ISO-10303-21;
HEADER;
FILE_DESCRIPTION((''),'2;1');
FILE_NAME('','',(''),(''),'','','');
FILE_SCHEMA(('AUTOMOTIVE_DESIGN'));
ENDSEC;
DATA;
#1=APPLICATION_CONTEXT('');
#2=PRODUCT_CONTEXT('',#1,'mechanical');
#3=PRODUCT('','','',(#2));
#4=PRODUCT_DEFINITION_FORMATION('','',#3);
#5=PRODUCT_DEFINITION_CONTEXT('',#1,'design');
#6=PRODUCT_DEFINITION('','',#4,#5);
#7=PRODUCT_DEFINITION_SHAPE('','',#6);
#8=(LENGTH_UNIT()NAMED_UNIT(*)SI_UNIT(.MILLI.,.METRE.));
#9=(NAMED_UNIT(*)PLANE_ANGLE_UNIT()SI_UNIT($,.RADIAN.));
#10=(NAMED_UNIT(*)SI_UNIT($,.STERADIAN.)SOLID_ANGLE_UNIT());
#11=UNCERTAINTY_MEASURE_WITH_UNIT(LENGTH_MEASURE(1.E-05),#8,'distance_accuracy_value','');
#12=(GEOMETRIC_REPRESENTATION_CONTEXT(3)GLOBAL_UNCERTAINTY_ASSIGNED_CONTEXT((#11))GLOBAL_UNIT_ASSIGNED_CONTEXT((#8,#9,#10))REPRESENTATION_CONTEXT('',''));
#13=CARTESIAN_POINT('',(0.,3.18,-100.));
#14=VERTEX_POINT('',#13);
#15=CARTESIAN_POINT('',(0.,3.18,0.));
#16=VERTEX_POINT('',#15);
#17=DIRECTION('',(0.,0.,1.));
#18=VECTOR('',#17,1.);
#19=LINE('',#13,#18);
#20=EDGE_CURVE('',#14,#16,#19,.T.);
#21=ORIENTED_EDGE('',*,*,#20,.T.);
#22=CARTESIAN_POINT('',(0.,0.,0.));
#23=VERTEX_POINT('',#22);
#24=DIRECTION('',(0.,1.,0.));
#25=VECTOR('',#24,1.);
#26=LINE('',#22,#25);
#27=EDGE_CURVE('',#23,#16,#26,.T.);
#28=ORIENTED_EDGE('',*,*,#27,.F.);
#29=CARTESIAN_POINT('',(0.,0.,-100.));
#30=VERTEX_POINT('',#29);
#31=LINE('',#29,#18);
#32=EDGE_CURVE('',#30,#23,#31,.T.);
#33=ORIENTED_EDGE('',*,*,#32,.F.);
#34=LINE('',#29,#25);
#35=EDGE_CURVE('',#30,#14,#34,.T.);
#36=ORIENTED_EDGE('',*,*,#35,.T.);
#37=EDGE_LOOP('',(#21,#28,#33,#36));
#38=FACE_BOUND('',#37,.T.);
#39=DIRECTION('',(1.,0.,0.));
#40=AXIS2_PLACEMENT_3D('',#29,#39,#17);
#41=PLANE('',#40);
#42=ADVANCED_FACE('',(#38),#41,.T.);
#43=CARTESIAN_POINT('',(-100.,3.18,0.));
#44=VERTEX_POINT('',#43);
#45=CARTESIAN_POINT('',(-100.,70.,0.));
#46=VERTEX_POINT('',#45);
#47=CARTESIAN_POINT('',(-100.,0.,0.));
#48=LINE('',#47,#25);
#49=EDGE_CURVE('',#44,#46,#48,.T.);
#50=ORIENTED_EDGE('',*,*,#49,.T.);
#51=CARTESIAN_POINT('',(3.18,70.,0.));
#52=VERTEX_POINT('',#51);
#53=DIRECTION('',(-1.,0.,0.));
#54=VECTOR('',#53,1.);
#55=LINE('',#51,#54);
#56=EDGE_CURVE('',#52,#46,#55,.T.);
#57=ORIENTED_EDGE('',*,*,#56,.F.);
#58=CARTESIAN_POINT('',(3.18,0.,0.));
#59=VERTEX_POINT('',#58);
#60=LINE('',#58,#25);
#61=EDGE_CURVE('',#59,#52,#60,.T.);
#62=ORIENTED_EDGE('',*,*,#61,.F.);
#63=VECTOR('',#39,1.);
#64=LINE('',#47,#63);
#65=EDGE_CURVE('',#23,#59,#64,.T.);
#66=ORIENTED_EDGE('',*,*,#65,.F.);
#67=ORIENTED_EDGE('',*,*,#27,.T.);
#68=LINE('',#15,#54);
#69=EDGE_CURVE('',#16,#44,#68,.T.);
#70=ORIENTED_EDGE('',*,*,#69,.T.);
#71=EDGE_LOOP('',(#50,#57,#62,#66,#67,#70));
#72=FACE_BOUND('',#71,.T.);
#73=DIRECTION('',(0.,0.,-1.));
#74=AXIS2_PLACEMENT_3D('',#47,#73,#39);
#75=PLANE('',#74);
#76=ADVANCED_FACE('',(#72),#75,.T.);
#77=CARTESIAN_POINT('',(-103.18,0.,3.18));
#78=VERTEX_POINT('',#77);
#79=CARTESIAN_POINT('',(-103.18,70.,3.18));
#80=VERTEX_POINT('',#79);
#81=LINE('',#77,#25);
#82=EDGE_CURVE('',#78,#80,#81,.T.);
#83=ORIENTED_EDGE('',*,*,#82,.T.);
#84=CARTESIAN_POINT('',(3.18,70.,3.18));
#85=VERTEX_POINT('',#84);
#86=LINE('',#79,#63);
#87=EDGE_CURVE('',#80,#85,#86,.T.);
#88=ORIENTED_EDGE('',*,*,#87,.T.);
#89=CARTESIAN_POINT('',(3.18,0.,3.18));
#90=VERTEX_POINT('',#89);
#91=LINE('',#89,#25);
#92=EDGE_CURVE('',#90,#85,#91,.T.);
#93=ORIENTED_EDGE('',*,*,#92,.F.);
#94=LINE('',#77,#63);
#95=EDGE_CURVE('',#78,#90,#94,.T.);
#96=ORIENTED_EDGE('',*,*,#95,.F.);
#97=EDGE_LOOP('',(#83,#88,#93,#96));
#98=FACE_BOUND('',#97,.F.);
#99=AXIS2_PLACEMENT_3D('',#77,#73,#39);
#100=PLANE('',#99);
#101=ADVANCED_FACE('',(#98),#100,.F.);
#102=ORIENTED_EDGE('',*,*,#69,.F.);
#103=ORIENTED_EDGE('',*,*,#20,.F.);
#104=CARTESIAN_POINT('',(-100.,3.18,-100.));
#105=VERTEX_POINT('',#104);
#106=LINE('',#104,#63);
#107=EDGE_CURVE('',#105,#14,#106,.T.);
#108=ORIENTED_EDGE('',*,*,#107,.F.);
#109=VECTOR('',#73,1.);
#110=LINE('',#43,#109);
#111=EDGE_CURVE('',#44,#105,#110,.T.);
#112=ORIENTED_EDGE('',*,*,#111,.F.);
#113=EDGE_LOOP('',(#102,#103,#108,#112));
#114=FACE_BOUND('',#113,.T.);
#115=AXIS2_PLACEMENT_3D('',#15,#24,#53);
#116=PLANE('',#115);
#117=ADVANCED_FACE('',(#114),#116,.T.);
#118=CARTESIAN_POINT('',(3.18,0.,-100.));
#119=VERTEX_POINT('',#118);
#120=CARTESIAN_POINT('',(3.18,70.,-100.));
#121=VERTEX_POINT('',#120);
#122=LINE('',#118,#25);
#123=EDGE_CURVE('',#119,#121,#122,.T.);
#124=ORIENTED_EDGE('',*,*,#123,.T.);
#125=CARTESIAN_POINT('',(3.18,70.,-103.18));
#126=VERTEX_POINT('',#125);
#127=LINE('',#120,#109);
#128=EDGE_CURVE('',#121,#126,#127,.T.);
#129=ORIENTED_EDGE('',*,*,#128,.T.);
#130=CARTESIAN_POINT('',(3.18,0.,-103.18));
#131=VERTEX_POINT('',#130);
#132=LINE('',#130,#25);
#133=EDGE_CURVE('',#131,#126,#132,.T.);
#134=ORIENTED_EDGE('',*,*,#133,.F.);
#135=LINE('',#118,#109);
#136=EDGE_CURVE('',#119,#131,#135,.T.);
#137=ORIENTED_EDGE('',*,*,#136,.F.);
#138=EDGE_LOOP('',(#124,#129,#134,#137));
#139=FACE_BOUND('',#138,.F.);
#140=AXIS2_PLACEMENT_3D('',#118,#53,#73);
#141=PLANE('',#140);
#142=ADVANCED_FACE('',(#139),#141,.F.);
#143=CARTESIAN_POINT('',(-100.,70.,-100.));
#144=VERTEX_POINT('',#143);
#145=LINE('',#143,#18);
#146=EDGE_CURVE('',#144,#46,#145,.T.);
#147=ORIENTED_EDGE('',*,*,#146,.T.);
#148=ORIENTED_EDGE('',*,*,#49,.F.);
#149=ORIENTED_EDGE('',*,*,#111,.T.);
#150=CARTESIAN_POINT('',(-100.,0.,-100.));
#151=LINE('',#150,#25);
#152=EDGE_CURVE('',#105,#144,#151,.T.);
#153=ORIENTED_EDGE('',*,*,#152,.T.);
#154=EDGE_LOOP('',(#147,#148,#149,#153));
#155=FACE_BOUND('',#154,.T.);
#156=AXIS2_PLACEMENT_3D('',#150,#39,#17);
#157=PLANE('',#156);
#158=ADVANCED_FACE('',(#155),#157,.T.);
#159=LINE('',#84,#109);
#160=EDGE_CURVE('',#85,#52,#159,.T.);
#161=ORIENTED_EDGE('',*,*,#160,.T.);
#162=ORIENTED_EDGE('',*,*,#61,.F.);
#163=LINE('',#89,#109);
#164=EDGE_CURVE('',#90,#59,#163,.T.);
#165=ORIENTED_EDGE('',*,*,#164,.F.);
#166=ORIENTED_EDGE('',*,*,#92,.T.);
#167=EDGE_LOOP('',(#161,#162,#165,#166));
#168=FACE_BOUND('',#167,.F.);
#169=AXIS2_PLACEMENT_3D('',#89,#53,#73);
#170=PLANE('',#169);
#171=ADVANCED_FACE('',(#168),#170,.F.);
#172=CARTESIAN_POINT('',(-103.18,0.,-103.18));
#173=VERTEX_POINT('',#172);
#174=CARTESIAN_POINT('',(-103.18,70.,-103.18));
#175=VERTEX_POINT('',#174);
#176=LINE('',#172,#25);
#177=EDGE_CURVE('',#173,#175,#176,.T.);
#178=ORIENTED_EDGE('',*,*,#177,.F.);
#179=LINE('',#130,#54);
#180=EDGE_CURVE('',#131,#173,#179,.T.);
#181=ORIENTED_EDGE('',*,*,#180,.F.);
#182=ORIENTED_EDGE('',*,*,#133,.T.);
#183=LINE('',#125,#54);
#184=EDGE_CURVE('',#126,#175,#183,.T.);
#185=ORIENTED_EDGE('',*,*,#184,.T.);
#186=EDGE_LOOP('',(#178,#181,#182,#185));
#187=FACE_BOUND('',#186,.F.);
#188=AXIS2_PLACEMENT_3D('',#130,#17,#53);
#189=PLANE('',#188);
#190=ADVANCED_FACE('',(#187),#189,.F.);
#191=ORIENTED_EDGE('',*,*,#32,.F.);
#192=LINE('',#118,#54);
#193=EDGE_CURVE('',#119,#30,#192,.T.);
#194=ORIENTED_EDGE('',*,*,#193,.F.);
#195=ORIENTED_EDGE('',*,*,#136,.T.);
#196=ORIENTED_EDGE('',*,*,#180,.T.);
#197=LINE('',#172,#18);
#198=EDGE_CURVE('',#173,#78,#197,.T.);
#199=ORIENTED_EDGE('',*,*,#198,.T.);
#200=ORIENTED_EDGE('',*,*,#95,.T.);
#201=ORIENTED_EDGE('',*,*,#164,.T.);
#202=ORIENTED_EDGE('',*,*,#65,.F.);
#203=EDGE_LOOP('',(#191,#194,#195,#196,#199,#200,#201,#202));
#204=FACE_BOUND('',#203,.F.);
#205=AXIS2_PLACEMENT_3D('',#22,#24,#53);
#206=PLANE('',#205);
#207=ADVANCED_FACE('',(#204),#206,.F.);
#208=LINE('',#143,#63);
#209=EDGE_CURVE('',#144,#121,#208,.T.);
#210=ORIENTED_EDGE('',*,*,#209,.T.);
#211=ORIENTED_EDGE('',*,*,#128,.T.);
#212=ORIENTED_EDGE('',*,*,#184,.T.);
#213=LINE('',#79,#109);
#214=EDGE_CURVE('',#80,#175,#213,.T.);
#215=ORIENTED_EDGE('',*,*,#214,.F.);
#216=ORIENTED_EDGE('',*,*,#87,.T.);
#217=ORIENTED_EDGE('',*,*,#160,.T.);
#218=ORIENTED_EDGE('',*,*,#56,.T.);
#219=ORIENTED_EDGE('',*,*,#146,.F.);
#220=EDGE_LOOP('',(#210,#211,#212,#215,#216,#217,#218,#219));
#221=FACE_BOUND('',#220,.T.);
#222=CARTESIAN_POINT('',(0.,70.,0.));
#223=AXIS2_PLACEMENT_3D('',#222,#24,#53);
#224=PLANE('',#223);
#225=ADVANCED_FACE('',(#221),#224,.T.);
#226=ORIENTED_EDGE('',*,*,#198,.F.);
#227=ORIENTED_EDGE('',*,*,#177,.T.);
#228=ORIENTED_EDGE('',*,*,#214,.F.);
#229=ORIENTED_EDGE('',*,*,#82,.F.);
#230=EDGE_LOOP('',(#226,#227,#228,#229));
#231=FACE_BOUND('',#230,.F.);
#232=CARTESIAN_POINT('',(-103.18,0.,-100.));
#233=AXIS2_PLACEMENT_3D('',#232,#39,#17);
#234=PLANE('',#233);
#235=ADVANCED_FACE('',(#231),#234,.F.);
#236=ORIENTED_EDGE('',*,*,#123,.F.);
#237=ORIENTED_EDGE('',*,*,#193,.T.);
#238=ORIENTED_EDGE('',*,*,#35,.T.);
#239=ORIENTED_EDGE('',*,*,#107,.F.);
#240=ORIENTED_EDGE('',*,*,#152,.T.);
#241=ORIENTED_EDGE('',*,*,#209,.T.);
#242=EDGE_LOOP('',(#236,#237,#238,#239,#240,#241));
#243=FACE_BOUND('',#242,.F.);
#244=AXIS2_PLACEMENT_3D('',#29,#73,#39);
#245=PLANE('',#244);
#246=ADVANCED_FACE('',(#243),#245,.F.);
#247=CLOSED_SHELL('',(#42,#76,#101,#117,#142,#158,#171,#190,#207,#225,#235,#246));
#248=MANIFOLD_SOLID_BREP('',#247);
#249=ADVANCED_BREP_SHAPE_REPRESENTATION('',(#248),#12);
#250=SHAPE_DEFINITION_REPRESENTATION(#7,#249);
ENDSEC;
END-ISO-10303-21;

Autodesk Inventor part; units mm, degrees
ref_plane "YZ Plane" through (0, 0, 0) normal (1, 0, 0) x (0, 1, 0)
ref_plane "XZ Plane" through (0, 0, 0) normal (0, 1, 0) x (-1, 0, 0)
ref_plane "XY Plane" through (0, 0, 0) normal (0, 0, 1) x (1, 0, 0)
sketch "Sketch1" plane through (0, 0, 0) normal (0, 1, 0) x (-1, 0, 0)
  line L0 (0, 0) -> (100, 0)
  line L1 (100, 0) -> (100, -100)
  line L2 (100, -100) -> (0, -100)
  line L3 (0, -100) -> (0, 0)
  dimension "d0" = 100
  dimension "d1" = 100
extrude "Extrusion1" add sketch "Sketch1" along normal blind 3.18
sketch "Sketch2" plane through (0, 0, 0) normal (0, 1, 0) x (-1, 0, 0)
  line L0 (100, 0) -> (0, 0) projected
  line L1 (0, 0) -> (0, -100) projected
  line L2 (0, -100) -> (100, -100) projected
  line L3 (100, -100) -> (100, 0) projected
  line L4 (-3.18, 0) -> (103.18, 0)
  line L5 (103.18, 0) -> (103.18, 3.18)
  line L6 (103.18, 3.18) -> (-3.18, 3.18)
  line L7 (-3.18, 3.18) -> (-3.18, 0)
  line L8 (103.18, -100) -> (-3.18, -100)
  line L9 (-3.18, -100) -> (-3.18, -103.18)
  line L10 (-3.18, -103.18) -> (103.18, -103.18)
  line L11 (103.18, -103.18) -> (103.18, -100)
  line L12 (103.18, 0) -> (100, 0)
  line L13 (100, 0) -> (100, -100)
  line L14 (100, -100) -> (103.18, -100)
  line L15 (103.18, -100) -> (103.18, 0)
  dimension "d4" = 3.18
  dimension "d5" = 3.18
  dimension "d6" = 3.18
  dimension "d7" = 3.18
extrude "Extrusion2" add sketch "Sketch2" along normal blind 70 contours L4 L15 L8 L3 | L0 L4 L7 L6 L5 | L8 L11 L10 L9 L2
properties part number "Base_caja"
